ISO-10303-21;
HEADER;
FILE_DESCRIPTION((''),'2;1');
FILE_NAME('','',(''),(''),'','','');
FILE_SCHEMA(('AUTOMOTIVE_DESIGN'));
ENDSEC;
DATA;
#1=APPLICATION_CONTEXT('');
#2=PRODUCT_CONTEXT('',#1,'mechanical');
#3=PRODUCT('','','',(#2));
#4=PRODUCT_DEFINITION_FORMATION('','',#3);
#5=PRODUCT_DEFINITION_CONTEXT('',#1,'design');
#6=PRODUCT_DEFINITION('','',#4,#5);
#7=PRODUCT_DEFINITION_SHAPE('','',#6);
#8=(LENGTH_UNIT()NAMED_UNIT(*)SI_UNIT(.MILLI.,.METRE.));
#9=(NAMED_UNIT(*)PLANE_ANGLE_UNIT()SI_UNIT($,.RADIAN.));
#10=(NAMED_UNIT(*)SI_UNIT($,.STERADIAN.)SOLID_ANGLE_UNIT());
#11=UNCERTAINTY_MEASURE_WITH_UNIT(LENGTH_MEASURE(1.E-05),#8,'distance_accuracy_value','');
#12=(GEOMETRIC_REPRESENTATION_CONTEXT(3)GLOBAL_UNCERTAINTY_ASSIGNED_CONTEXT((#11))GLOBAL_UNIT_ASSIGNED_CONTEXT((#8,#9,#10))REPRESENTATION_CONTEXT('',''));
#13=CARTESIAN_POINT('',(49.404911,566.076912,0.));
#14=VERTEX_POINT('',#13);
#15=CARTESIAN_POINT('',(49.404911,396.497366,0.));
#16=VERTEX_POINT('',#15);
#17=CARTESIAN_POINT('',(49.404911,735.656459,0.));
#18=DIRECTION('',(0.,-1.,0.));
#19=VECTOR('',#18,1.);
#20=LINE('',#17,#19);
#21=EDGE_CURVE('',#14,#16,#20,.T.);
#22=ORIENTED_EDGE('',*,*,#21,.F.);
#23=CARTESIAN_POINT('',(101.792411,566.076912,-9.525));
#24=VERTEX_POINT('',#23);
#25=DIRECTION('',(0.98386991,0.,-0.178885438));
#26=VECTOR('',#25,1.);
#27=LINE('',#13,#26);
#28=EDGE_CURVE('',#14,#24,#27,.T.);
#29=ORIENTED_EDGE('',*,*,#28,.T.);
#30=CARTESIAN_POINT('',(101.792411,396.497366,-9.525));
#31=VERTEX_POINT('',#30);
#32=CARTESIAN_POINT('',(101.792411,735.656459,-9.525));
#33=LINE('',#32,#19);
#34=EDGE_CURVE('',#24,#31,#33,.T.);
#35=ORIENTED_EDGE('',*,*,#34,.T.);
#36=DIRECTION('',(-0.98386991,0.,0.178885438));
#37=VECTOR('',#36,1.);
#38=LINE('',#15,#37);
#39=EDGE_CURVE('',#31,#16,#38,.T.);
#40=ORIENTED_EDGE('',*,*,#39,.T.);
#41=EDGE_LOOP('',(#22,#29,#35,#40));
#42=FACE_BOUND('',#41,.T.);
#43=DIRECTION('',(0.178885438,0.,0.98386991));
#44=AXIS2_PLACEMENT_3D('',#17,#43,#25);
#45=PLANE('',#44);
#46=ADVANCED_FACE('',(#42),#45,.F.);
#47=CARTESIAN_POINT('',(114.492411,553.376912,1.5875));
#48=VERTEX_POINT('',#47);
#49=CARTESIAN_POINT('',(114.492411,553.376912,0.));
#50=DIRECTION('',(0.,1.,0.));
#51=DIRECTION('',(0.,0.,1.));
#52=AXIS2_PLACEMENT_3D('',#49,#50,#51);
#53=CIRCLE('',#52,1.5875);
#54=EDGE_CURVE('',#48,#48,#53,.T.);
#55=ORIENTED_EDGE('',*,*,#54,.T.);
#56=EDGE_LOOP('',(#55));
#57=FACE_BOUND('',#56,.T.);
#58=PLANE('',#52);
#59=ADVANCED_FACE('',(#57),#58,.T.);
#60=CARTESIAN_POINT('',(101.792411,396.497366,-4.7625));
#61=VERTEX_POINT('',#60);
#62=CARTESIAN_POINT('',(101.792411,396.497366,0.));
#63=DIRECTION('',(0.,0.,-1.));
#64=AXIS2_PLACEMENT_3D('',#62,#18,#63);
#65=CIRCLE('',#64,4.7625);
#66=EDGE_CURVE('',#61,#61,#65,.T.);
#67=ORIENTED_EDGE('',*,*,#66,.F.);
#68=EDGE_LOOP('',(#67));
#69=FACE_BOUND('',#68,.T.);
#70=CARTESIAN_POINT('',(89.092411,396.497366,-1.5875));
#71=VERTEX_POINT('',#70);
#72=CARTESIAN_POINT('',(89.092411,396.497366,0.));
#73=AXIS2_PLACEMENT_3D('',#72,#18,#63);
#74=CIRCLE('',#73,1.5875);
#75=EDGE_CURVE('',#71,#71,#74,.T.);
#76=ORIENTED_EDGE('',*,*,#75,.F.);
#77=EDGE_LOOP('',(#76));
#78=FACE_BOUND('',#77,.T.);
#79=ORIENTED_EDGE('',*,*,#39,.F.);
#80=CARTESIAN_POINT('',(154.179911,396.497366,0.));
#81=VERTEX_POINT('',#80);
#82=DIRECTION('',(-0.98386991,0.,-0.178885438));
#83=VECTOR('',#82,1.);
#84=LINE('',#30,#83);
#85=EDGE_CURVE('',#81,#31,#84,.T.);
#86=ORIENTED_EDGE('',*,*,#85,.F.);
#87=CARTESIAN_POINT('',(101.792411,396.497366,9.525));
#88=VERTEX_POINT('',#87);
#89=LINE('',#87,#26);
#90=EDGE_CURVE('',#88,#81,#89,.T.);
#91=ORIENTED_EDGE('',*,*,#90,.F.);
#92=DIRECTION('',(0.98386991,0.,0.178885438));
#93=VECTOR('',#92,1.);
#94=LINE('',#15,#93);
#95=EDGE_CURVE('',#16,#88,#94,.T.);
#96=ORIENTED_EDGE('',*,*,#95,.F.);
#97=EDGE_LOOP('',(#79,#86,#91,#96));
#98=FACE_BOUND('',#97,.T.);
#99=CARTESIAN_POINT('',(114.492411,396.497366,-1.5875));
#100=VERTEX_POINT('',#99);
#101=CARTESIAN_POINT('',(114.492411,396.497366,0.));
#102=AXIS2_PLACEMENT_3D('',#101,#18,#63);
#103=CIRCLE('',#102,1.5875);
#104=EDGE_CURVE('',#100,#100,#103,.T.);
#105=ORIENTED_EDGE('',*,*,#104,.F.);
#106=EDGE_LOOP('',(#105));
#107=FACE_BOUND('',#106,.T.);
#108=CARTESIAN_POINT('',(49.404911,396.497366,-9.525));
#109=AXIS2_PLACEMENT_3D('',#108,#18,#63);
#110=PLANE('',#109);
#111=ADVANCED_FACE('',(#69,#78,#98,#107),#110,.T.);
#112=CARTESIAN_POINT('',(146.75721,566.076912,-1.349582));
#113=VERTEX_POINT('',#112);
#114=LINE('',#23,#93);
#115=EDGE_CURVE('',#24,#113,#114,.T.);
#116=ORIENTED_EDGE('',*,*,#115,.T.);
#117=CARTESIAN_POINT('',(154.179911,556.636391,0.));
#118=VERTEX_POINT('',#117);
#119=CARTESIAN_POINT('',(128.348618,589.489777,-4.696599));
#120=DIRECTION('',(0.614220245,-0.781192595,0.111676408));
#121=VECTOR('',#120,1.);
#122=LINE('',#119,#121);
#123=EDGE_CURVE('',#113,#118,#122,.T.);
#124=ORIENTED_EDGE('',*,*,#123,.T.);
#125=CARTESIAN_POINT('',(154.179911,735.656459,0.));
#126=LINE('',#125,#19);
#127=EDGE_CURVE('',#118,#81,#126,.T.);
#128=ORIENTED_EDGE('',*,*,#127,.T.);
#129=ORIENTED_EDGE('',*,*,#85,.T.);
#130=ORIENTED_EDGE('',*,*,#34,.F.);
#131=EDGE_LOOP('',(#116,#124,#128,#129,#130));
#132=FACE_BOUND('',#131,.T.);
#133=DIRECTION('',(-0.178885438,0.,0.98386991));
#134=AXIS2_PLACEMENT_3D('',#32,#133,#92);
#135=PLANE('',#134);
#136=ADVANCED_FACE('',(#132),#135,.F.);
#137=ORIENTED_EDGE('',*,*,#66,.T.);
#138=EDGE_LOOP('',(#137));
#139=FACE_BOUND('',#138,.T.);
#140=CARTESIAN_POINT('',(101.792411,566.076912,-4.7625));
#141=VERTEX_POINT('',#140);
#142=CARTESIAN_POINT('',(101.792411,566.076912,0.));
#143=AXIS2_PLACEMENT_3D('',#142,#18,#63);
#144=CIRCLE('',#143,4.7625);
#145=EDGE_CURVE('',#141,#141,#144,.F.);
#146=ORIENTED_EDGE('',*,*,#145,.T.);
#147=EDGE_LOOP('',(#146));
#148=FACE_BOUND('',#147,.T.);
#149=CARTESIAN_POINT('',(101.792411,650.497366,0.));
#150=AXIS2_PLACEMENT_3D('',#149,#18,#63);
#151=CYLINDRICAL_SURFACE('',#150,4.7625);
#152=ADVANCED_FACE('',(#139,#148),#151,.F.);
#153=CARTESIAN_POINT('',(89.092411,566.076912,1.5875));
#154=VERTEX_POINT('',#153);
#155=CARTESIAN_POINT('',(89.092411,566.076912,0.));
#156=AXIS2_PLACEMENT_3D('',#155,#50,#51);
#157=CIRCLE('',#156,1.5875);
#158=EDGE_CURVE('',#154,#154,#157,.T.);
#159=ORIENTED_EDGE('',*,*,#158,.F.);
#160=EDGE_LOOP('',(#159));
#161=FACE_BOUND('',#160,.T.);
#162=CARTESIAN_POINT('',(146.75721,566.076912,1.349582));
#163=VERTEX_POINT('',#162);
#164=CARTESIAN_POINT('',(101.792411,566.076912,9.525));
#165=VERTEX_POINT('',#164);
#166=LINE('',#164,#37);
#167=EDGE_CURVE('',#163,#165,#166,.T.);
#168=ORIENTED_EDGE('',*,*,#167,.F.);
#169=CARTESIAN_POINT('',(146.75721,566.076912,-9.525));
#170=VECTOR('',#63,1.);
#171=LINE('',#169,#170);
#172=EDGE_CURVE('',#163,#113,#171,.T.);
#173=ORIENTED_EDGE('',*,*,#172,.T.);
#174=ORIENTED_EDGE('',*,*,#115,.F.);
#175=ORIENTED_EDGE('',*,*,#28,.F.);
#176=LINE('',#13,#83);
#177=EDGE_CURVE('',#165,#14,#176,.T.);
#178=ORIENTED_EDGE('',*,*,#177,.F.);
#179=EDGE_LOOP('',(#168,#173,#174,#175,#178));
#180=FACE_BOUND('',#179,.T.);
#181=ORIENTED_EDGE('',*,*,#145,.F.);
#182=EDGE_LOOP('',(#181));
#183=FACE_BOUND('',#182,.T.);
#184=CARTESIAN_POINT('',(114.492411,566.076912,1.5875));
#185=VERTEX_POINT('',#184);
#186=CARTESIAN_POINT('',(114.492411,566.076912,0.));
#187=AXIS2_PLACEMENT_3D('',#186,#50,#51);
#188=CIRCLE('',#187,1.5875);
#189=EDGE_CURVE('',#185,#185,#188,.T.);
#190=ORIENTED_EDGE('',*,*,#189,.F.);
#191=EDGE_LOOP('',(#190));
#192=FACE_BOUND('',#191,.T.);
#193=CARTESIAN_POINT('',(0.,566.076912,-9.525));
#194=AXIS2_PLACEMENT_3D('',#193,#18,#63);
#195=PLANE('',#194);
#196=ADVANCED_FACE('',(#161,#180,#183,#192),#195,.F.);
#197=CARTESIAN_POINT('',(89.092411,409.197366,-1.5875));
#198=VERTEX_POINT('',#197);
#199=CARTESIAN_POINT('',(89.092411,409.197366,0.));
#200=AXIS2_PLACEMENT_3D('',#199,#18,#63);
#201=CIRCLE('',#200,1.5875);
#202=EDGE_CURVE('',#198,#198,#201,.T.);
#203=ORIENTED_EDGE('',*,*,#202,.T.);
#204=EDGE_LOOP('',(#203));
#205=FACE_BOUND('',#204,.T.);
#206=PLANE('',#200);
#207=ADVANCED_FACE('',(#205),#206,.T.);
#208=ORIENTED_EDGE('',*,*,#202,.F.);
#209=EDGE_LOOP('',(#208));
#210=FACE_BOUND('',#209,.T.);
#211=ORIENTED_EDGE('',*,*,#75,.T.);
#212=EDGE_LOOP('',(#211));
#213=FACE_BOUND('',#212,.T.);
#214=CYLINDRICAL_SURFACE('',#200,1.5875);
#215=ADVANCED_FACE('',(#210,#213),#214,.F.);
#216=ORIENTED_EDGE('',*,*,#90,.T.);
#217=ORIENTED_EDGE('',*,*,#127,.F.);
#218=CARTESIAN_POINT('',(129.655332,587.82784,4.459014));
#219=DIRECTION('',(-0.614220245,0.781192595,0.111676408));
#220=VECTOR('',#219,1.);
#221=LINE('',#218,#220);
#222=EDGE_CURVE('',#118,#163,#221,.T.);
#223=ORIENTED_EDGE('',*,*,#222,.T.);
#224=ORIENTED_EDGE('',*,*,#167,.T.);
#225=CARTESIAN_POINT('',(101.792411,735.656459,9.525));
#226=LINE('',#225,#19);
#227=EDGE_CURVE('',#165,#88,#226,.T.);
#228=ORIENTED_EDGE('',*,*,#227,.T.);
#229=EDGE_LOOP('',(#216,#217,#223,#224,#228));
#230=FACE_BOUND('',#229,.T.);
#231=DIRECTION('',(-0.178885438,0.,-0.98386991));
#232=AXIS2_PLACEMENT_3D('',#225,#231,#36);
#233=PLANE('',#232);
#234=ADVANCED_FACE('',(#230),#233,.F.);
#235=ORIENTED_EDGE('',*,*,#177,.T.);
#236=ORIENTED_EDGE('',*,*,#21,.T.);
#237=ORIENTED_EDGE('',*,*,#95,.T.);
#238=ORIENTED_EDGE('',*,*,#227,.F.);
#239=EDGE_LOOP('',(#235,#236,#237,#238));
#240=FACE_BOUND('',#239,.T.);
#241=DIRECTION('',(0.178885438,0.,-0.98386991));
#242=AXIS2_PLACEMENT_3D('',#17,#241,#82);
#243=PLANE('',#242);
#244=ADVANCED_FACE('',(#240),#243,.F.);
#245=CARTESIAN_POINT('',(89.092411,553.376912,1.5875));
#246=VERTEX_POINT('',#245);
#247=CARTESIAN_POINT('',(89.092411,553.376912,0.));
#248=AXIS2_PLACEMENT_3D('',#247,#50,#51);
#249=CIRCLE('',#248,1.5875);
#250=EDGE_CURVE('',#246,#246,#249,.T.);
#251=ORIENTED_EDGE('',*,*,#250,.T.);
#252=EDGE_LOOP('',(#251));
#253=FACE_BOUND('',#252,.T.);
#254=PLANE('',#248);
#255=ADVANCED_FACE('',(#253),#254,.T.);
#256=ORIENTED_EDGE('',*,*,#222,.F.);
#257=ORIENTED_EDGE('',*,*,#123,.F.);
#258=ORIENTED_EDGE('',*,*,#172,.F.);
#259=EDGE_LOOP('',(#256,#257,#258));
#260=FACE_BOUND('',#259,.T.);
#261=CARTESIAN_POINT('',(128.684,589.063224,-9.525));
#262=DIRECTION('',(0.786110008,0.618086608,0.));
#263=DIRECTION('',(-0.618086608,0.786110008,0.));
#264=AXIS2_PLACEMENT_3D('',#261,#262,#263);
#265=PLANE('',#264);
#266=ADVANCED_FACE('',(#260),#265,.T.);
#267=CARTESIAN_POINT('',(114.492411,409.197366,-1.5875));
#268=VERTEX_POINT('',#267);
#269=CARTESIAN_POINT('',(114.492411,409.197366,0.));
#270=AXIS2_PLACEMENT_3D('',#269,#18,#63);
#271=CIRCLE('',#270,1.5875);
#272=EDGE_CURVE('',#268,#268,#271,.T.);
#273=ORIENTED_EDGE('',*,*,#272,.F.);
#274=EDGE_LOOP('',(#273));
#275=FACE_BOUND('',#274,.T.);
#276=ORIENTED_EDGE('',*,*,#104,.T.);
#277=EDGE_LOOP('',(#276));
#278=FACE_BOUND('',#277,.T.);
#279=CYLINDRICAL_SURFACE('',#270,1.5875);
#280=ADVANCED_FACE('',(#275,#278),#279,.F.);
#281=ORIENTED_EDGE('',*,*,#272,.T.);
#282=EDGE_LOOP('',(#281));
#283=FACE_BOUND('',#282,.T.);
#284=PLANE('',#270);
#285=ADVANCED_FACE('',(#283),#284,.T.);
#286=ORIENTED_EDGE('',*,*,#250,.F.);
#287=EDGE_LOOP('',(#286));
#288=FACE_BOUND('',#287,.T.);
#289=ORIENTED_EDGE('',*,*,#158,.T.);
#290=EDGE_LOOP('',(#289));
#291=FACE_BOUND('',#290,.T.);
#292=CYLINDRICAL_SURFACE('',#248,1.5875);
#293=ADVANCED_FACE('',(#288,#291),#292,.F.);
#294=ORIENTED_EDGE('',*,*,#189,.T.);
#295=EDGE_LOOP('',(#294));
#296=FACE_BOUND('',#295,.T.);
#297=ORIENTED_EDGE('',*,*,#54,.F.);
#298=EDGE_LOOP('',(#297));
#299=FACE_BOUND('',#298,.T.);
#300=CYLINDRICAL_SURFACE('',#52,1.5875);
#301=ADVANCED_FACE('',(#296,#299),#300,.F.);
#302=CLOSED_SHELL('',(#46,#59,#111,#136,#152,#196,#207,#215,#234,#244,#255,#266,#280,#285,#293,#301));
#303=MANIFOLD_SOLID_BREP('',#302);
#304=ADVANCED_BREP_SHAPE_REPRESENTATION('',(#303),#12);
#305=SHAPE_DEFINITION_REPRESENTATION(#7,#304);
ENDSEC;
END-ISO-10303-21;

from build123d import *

# Parameters (mm, degrees)
BOSS_EXTRUDE1_DEPTH      = 9.525
BOSS_EXTRUDE1_DEPTH_BACK = 9.525
CUT_EXTRUDE1_DEPTH       = 373.680910299
CUT_EXTRUDE2_DEPTH       = 373.680910299
SKETCH5_W                = 97.518379051
SKETCH5_H                = 136.419580789
CUT_EXTRUDE3_DEPTH       = 739.741184154
SKETCH6_W                = 75.100700845
SKETCH6_H                = 154.277977479
CUT_EXTRUDE4_DEPTH       = 748.678846608
SKETCH7_R                = 4.7625
CUT_EXTRUDE5_DEPTH       = 254
CUT_EXTRUDE6_DEPTH       = 752.699804454
CUT_EXTRUDE6_DEPTH_BACK  = 752.699804454
SKETCH9_R                = 1.5875
CUT_EXTRUDE7_DEPTH       = 12.7
CUT_EXTRUDE8_START       = -12.7
SKETCH10_R               = 1.5875
CUT_EXTRUDE8_DEPTH       = 12.7


with BuildPart() as part:
    # Sketch1 → Boss-Extrude1 (new, two sides: drawn at the far end of the back side and taken through both)
    with BuildSketch(Plane.XY.offset(-BOSS_EXTRUDE1_DEPTH_BACK)):
        Polygon((101.792411443, 735.656458749), (49.404911443, 673.557276224), (49.404911443, 396.497366015), (154.179911443, 396.497366015), (154.179911443, 556.636391043), (128.683999881, 589.063224066), (151.148766449, 589.063224066), (128.683999881, 617.634912224), (151.148766449, 617.634912224), (129.452026088, 645.229790529), (151.148766449, 645.229790529), (128.876006433, 673.557276224), (154.179911443, 673.557276224), align=None)
    extrude(amount=BOSS_EXTRUDE1_DEPTH + BOSS_EXTRUDE1_DEPTH_BACK)

    # Sketch2 → Cut-Extrude1 (cut, through all)
    with BuildSketch(Plane(origin=(0, 396.497366015, 0), x_dir=(-1, 0, 0), z_dir=(0, -1, 0))):
        Polygon((-49.404911443, 0), (-101.792411443, -9.525), (-154.179911443, 0), (-159.65732669, 0), (-159.65732669, -13.649148588), (-44.158493861, -13.649148588), (-44.158493861, 0), align=None)
    extrude(amount=-CUT_EXTRUDE1_DEPTH, mode=Mode.SUBTRACT)

    # Sketch3 → Cut-Extrude2 (cut, through all)
    with BuildSketch(Plane.XZ.offset(-396.497366015)):
        Polygon((49.404911443, 0), (101.792411443, -9.525), (154.179911443, 0), (159.580570647, 0), (159.580570647, -14.500746269), (43.682013433, -14.500746269), (43.682013433, 0), align=None)
    extrude(amount=-CUT_EXTRUDE2_DEPTH, mode=Mode.SUBTRACT)

    # Sketch5 → Cut-Extrude3 (cut, through all)
    with BuildSketch(Plane(origin=(26.430459561, 22.297003663, 133.782021979), x_dir=(0.9815360247212257, -0.031445805879602766, -0.1886748352776165), z_dir=(0.1912773697394791, 0.16136352846789567, 0.9681811708073739))):
        with Locations((89.248369642, 700.742830845)):
            Rectangle(SKETCH5_W, SKETCH5_H)
    cut_extrude3 = extrude(amount=CUT_EXTRUDE3_DEPTH, mode=Mode.SUBTRACT)

    # Sketch6 → Cut-Extrude4 (cut, through all)
    with BuildSketch(Plane(origin=(-18.981895096, 16.01331916, 96.079914958), x_dir=(0.9815360247212258, 0.03144580587960229, 0.18867483527761636), z_dir=(-0.19127736973947887, 0.1613635284678934, 0.9681811708073744))):
        with Locations((98.873573013, 697.792784398)):
            Rectangle(SKETCH6_W, SKETCH6_H)
    cut_extrude4 = extrude(amount=CUT_EXTRUDE4_DEPTH, mode=Mode.SUBTRACT)

    # Mirror1: Cut-Extrude3, Cut-Extrude4 across plane
    add(cut_extrude3.mirror(Plane.XY), mode=Mode.SUBTRACT)
    add(cut_extrude4.mirror(Plane.XY), mode=Mode.SUBTRACT)

    # Sketch7 → Cut-Extrude5 (cut)
    with BuildSketch(Plane.XZ.offset(-396.497366015)):
        with Locations((101.792411443, 0)):
            Circle(SKETCH7_R)
    extrude(amount=-CUT_EXTRUDE5_DEPTH, mode=Mode.SUBTRACT)

    # Sketch8 → Cut-Extrude6 (cut, two sides: drawn at the far end of the back side and taken through both)
    with BuildSketch(Plane.XY.offset(-CUT_EXTRUDE6_DEPTH_BACK)):
        Polygon((-21.644649604, 762.380461852), (-21.644649604, 566.076912382), (101.792411443, 566.076912382), (201.352960681, 566.076912382), (201.352960681, 762.380461852), align=None)
    extrude(amount=CUT_EXTRUDE6_DEPTH + CUT_EXTRUDE6_DEPTH_BACK, mode=Mode.SUBTRACT)

    # Sketch9 → Cut-Extrude7 (cut)
    with BuildSketch(Plane(origin=(0, 566.076912382, 0), x_dir=(1, 0, 0), z_dir=(0, 1, 0))):
        with Locations((89.092411443, 0)):
            Circle(SKETCH9_R)
        with Locations((114.492411443, 0)):
            Circle(SKETCH9_R)
    extrude(amount=-CUT_EXTRUDE7_DEPTH, mode=Mode.SUBTRACT)

    # Sketch10 → Cut-Extrude8 (cut)
    with BuildSketch(Plane.XZ.offset(-396.497366015).offset(CUT_EXTRUDE8_START)):
        with Locations((89.092411443, 0)):
            Circle(SKETCH10_R)
        with Locations((114.492411443, 0)):
            Circle(SKETCH10_R)
    extrude(amount=CUT_EXTRUDE8_DEPTH, mode=Mode.SUBTRACT)


solid = part.part
